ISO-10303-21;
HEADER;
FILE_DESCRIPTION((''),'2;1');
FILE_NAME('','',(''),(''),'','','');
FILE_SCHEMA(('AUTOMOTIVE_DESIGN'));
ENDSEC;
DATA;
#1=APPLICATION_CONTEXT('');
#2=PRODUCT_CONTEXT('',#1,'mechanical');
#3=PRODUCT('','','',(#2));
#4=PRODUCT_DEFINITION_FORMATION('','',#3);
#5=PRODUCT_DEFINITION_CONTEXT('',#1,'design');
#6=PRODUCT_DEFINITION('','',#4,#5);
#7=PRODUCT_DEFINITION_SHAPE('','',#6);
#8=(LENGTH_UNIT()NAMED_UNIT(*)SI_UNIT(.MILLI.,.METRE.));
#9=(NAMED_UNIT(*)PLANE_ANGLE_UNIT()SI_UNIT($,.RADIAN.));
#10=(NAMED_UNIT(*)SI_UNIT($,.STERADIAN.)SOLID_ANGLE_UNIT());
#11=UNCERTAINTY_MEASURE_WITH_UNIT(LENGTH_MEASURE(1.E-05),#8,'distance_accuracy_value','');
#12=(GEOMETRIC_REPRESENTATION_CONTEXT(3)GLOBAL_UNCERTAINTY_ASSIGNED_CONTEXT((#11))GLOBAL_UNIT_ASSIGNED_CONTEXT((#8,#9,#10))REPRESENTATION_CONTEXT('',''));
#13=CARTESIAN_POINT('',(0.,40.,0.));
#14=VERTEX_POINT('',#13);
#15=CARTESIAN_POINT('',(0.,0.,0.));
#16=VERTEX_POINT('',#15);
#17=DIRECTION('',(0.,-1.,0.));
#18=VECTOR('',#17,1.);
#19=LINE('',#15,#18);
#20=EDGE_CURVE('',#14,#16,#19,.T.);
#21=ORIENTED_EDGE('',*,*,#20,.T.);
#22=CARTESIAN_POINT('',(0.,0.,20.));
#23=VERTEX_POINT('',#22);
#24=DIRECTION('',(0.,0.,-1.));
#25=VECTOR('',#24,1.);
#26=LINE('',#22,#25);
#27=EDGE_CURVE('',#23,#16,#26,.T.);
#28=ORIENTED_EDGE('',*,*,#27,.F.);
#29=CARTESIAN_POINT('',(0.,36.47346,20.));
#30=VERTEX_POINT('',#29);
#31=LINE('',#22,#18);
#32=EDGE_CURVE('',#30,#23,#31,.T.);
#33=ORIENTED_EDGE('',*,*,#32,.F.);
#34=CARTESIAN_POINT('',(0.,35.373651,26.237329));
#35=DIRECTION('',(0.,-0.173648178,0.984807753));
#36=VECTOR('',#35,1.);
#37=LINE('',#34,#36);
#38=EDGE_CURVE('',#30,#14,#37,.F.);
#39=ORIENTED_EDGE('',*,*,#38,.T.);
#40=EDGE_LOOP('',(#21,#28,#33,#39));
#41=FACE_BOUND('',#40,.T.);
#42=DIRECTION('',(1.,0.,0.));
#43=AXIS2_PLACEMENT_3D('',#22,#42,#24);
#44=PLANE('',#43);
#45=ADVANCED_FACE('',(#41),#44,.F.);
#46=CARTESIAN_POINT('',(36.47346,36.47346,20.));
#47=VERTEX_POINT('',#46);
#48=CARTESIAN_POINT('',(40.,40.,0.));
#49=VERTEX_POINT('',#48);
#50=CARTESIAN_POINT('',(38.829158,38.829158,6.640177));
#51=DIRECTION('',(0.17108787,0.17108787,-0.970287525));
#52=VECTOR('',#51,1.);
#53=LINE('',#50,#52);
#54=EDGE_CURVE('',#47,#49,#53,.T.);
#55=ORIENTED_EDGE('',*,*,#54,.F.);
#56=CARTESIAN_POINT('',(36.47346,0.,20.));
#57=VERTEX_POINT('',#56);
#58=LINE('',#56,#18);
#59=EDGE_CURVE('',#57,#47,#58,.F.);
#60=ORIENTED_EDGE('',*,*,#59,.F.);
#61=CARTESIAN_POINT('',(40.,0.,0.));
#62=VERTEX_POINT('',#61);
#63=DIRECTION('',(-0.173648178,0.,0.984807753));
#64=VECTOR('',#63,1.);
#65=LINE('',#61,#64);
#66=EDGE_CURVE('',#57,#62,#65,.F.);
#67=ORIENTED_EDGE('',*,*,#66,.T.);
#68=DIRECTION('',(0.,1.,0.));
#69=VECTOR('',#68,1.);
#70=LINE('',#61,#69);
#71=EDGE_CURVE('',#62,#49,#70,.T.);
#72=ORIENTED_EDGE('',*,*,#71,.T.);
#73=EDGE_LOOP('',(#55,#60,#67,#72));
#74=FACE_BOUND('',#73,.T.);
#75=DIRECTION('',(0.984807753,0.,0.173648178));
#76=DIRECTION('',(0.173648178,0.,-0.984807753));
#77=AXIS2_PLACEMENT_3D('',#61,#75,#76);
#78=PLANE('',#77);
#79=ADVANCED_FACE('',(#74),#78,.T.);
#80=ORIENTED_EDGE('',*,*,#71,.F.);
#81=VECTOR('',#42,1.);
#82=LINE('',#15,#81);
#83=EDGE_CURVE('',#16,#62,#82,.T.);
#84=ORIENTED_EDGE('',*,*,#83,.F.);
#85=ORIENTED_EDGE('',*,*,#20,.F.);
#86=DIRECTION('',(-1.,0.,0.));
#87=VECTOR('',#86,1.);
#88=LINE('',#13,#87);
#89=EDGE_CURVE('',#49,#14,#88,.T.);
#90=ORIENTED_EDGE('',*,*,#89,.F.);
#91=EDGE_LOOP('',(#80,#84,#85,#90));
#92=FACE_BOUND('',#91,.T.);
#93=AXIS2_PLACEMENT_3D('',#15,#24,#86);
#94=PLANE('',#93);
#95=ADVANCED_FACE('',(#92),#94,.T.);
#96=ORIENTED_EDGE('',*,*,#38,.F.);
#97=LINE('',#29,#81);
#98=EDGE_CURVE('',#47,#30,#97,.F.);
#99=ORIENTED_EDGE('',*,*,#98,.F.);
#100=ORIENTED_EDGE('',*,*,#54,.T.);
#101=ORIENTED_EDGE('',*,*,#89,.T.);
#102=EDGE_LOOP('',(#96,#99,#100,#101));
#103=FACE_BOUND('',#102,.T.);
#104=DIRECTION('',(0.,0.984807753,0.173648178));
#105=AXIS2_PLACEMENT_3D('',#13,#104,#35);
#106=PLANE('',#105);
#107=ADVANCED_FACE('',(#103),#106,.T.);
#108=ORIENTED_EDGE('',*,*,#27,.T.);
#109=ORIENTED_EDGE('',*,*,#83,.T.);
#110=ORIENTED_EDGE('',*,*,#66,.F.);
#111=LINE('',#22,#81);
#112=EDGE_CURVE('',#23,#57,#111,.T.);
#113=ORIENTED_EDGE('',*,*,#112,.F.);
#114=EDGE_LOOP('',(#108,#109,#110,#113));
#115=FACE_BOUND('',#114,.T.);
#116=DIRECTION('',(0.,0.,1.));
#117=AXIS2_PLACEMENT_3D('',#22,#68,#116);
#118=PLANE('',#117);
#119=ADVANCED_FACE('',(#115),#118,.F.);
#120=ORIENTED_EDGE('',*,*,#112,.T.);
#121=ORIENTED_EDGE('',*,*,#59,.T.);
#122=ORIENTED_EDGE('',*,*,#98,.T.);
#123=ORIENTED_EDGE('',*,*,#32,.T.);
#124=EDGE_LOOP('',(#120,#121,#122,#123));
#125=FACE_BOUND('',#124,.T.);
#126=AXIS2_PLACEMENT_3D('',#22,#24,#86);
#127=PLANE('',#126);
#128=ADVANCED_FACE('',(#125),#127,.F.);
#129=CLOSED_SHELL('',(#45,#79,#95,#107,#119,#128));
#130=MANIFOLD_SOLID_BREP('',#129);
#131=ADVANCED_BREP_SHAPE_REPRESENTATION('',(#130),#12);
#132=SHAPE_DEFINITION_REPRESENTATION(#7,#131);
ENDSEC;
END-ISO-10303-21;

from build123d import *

# Parameters (mm, degrees)
SKETCH1_W           = 40
SKETCH1_H           = 40
BOSS_EXTRUDE1_DEPTH = 20
DRAFT1_ANGLE        = -10


with BuildPart() as part:
    # Sketch1 → Boss-Extrude1 (new body)
    with BuildSketch(Plane.XY):
        with Locations((20, 20)):
            Rectangle(SKETCH1_W, SKETCH1_H)
    extrude(amount=BOSS_EXTRUDE1_DEPTH)

    # Draft1
    draft1_faces = [part.faces().sort_by_distance(p)[0] for p in [
        (20, 40, 10),
        (40, 20, 10),
    ]]
    draft(draft1_faces, Plane(origin=(0, 0, 0), x_dir=(-1, 0, 0), z_dir=(0, 0, -1)), DRAFT1_ANGLE)


solid = part.part
